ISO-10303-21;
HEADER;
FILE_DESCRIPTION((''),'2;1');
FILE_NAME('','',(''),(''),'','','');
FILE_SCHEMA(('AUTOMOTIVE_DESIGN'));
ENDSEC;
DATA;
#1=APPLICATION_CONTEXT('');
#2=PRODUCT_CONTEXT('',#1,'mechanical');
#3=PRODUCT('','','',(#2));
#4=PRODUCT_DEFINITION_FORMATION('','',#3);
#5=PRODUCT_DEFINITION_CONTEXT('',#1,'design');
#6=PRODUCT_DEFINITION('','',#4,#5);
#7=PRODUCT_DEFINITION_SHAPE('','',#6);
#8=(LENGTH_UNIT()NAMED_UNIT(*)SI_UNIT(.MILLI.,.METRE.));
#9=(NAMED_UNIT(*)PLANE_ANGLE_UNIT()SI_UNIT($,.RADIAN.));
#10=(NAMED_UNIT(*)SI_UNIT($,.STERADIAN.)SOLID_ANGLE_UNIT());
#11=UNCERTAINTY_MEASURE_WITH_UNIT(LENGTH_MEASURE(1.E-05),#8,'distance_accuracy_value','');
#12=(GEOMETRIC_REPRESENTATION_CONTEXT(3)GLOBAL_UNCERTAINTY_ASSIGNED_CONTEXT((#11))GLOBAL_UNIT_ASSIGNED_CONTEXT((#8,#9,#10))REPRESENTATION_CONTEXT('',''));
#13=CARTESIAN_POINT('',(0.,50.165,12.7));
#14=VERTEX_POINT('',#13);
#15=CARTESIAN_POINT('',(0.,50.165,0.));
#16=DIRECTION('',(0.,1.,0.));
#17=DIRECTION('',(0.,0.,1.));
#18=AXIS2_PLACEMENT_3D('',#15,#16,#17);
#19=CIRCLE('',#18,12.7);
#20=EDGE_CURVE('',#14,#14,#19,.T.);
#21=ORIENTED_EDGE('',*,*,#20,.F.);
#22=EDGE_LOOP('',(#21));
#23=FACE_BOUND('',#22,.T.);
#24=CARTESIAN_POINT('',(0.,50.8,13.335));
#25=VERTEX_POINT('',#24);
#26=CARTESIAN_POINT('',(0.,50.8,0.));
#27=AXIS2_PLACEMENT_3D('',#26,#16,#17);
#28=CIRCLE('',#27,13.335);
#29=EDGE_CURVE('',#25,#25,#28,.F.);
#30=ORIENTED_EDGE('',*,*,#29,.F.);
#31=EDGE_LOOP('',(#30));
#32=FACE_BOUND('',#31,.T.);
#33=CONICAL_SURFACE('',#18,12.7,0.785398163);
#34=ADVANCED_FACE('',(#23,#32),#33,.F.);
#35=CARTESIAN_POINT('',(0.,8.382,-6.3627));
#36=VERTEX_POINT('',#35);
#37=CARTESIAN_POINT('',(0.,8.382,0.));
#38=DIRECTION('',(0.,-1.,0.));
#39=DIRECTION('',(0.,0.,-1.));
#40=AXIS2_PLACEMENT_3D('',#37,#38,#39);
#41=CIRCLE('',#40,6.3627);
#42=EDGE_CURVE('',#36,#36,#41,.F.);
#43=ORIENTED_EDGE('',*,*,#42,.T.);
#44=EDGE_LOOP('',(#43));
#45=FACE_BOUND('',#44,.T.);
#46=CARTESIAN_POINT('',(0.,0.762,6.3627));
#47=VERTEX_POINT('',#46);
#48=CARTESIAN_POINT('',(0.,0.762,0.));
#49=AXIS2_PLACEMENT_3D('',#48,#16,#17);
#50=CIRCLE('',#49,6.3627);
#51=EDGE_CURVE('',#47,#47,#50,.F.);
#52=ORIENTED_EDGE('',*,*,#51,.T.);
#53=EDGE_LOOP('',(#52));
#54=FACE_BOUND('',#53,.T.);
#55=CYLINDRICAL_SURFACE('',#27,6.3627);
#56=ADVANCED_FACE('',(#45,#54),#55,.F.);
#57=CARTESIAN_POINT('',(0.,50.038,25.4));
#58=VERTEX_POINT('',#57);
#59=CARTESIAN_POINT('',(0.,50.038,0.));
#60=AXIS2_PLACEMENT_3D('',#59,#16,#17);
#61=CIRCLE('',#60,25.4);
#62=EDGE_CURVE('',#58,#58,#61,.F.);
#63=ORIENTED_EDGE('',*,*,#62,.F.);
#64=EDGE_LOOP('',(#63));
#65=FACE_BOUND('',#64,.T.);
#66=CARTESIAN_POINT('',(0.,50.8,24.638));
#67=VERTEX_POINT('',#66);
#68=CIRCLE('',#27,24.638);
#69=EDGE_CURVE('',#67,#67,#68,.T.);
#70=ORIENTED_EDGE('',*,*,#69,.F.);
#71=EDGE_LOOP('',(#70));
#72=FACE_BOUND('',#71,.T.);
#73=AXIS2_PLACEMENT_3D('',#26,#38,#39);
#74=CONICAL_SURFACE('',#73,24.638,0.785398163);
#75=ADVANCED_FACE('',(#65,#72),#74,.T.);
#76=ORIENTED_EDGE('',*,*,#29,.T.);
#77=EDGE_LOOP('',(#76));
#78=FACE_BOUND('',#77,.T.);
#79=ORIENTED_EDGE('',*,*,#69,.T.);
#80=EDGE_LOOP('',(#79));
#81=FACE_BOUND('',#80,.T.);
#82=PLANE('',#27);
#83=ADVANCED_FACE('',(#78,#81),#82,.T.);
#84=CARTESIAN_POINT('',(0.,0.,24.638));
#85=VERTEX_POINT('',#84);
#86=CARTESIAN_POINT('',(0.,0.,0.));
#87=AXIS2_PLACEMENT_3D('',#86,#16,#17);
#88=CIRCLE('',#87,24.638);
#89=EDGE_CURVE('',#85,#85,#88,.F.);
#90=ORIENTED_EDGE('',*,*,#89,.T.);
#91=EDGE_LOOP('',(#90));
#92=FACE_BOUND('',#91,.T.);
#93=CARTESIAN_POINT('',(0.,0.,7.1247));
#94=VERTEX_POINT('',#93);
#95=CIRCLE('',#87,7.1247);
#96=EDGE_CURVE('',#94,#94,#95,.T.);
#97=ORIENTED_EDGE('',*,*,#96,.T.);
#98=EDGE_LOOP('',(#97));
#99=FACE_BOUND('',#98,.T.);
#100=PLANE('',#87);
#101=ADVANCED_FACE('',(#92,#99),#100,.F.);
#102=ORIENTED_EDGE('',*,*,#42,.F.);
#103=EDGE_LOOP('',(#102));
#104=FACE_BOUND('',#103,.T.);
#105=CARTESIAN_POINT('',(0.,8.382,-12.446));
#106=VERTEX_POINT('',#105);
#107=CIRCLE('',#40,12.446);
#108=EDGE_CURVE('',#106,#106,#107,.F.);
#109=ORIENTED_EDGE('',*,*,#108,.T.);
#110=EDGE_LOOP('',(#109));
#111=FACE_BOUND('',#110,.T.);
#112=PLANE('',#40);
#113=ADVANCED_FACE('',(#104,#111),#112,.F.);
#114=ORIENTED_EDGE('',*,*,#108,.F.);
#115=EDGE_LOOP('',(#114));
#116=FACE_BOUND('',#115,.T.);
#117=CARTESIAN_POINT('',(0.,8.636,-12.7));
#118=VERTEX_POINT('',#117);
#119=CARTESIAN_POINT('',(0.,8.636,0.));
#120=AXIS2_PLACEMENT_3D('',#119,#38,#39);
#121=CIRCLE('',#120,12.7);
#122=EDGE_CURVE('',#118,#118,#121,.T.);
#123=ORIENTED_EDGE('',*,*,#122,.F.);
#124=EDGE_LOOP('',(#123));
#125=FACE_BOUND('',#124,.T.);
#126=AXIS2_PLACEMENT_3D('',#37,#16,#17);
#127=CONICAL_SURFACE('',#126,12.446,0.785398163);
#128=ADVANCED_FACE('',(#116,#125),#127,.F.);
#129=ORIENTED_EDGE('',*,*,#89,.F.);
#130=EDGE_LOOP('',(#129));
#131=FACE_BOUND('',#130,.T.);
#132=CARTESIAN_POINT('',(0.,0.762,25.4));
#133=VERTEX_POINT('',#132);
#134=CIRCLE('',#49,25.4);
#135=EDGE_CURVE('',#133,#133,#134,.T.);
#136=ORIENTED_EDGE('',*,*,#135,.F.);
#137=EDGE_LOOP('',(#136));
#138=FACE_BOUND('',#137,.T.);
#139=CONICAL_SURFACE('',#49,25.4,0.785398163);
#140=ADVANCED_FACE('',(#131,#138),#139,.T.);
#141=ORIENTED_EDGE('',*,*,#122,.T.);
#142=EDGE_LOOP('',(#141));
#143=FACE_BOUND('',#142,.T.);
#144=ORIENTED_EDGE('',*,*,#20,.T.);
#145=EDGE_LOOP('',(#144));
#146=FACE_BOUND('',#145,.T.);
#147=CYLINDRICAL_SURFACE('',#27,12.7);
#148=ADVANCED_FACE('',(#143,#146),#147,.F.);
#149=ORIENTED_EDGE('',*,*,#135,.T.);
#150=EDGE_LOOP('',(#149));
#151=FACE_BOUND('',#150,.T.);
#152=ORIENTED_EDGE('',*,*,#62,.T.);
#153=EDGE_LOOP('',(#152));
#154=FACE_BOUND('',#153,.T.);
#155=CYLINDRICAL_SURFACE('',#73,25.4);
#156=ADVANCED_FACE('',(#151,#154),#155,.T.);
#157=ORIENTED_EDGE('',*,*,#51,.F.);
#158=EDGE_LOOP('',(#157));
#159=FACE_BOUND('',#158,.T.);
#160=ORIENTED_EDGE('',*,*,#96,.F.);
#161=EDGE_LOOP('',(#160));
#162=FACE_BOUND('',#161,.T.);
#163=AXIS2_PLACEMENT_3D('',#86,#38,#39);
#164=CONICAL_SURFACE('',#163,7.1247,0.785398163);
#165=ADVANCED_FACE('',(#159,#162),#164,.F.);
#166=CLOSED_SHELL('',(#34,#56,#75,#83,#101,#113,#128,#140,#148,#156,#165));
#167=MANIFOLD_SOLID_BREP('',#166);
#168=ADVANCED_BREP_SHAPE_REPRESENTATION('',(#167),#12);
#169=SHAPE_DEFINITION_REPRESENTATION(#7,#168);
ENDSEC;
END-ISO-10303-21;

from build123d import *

# Parameters (mm, degrees)
SKETCH1_R                  = 25.4
EXTRUDE1_DEPTH             = 50.8
F_1_2_0_5_DIAMETER_HOLE1_D = 12.7254
CHAMFER1_SIZE              = 0.762
F_1_1_DIAMETER_HOLE1_D     = 25.4
F_1_1_DIAMETER_HOLE1_DEPTH = 42.418
CHAMFER2_SIZE              = 0.254
CHAMFER3_SIZE              = 0.635


with BuildPart() as part:
    # Sketch1 → Extrude1 (new body)
    with BuildSketch(Plane(origin=(0, 0, 0), x_dir=(1, 0, 0), z_dir=(0, 1, 0))):
        with Locations(Location((0, 0, 0), (0, 0, 270))):  # turned: the seam where the file's is
            Circle(SKETCH1_R)
    extrude(amount=EXTRUDE1_DEPTH)

    # 1/2 (0.5) Diameter Hole1 (through all)
    with Locations(Plane(origin=(0, 50.8, 0), x_dir=(-1, 0, 0), z_dir=(0, 1, 0))):
        with Locations((0, 0)):
            Hole(F_1_2_0_5_DIAMETER_HOLE1_D / 2)

    # Chamfer1
    chamfer1_edges = [part.edges().sort_by_distance(p)[0] for p in [
        (0, 0, -25.4),
        (0, 50.8, -25.4),
        (-6.3627, 0, 0),
    ]]
    chamfer(chamfer1_edges, length=CHAMFER1_SIZE)

    # 1 (1) Diameter Hole1
    with Locations(Plane(origin=(0, 50.8, 0), x_dir=(-1, 0, 0), z_dir=(0, 1, 0))):
        with Locations((0, 0)):
            Hole(F_1_1_DIAMETER_HOLE1_D / 2, depth=F_1_1_DIAMETER_HOLE1_DEPTH)

    # Chamfer2
    chamfer2_edges = [part.edges().sort_by_distance(p)[0] for p in [
        (-12.7, 8.382, 0),
    ]]
    chamfer(chamfer2_edges, length=CHAMFER2_SIZE)

    # Chamfer3
    chamfer3_edges = [part.edges().sort_by_distance(p)[0] for p in [
        (-12.7, 50.8, 0),
    ]]
    chamfer(chamfer3_edges, length=CHAMFER3_SIZE)


solid = part.part
